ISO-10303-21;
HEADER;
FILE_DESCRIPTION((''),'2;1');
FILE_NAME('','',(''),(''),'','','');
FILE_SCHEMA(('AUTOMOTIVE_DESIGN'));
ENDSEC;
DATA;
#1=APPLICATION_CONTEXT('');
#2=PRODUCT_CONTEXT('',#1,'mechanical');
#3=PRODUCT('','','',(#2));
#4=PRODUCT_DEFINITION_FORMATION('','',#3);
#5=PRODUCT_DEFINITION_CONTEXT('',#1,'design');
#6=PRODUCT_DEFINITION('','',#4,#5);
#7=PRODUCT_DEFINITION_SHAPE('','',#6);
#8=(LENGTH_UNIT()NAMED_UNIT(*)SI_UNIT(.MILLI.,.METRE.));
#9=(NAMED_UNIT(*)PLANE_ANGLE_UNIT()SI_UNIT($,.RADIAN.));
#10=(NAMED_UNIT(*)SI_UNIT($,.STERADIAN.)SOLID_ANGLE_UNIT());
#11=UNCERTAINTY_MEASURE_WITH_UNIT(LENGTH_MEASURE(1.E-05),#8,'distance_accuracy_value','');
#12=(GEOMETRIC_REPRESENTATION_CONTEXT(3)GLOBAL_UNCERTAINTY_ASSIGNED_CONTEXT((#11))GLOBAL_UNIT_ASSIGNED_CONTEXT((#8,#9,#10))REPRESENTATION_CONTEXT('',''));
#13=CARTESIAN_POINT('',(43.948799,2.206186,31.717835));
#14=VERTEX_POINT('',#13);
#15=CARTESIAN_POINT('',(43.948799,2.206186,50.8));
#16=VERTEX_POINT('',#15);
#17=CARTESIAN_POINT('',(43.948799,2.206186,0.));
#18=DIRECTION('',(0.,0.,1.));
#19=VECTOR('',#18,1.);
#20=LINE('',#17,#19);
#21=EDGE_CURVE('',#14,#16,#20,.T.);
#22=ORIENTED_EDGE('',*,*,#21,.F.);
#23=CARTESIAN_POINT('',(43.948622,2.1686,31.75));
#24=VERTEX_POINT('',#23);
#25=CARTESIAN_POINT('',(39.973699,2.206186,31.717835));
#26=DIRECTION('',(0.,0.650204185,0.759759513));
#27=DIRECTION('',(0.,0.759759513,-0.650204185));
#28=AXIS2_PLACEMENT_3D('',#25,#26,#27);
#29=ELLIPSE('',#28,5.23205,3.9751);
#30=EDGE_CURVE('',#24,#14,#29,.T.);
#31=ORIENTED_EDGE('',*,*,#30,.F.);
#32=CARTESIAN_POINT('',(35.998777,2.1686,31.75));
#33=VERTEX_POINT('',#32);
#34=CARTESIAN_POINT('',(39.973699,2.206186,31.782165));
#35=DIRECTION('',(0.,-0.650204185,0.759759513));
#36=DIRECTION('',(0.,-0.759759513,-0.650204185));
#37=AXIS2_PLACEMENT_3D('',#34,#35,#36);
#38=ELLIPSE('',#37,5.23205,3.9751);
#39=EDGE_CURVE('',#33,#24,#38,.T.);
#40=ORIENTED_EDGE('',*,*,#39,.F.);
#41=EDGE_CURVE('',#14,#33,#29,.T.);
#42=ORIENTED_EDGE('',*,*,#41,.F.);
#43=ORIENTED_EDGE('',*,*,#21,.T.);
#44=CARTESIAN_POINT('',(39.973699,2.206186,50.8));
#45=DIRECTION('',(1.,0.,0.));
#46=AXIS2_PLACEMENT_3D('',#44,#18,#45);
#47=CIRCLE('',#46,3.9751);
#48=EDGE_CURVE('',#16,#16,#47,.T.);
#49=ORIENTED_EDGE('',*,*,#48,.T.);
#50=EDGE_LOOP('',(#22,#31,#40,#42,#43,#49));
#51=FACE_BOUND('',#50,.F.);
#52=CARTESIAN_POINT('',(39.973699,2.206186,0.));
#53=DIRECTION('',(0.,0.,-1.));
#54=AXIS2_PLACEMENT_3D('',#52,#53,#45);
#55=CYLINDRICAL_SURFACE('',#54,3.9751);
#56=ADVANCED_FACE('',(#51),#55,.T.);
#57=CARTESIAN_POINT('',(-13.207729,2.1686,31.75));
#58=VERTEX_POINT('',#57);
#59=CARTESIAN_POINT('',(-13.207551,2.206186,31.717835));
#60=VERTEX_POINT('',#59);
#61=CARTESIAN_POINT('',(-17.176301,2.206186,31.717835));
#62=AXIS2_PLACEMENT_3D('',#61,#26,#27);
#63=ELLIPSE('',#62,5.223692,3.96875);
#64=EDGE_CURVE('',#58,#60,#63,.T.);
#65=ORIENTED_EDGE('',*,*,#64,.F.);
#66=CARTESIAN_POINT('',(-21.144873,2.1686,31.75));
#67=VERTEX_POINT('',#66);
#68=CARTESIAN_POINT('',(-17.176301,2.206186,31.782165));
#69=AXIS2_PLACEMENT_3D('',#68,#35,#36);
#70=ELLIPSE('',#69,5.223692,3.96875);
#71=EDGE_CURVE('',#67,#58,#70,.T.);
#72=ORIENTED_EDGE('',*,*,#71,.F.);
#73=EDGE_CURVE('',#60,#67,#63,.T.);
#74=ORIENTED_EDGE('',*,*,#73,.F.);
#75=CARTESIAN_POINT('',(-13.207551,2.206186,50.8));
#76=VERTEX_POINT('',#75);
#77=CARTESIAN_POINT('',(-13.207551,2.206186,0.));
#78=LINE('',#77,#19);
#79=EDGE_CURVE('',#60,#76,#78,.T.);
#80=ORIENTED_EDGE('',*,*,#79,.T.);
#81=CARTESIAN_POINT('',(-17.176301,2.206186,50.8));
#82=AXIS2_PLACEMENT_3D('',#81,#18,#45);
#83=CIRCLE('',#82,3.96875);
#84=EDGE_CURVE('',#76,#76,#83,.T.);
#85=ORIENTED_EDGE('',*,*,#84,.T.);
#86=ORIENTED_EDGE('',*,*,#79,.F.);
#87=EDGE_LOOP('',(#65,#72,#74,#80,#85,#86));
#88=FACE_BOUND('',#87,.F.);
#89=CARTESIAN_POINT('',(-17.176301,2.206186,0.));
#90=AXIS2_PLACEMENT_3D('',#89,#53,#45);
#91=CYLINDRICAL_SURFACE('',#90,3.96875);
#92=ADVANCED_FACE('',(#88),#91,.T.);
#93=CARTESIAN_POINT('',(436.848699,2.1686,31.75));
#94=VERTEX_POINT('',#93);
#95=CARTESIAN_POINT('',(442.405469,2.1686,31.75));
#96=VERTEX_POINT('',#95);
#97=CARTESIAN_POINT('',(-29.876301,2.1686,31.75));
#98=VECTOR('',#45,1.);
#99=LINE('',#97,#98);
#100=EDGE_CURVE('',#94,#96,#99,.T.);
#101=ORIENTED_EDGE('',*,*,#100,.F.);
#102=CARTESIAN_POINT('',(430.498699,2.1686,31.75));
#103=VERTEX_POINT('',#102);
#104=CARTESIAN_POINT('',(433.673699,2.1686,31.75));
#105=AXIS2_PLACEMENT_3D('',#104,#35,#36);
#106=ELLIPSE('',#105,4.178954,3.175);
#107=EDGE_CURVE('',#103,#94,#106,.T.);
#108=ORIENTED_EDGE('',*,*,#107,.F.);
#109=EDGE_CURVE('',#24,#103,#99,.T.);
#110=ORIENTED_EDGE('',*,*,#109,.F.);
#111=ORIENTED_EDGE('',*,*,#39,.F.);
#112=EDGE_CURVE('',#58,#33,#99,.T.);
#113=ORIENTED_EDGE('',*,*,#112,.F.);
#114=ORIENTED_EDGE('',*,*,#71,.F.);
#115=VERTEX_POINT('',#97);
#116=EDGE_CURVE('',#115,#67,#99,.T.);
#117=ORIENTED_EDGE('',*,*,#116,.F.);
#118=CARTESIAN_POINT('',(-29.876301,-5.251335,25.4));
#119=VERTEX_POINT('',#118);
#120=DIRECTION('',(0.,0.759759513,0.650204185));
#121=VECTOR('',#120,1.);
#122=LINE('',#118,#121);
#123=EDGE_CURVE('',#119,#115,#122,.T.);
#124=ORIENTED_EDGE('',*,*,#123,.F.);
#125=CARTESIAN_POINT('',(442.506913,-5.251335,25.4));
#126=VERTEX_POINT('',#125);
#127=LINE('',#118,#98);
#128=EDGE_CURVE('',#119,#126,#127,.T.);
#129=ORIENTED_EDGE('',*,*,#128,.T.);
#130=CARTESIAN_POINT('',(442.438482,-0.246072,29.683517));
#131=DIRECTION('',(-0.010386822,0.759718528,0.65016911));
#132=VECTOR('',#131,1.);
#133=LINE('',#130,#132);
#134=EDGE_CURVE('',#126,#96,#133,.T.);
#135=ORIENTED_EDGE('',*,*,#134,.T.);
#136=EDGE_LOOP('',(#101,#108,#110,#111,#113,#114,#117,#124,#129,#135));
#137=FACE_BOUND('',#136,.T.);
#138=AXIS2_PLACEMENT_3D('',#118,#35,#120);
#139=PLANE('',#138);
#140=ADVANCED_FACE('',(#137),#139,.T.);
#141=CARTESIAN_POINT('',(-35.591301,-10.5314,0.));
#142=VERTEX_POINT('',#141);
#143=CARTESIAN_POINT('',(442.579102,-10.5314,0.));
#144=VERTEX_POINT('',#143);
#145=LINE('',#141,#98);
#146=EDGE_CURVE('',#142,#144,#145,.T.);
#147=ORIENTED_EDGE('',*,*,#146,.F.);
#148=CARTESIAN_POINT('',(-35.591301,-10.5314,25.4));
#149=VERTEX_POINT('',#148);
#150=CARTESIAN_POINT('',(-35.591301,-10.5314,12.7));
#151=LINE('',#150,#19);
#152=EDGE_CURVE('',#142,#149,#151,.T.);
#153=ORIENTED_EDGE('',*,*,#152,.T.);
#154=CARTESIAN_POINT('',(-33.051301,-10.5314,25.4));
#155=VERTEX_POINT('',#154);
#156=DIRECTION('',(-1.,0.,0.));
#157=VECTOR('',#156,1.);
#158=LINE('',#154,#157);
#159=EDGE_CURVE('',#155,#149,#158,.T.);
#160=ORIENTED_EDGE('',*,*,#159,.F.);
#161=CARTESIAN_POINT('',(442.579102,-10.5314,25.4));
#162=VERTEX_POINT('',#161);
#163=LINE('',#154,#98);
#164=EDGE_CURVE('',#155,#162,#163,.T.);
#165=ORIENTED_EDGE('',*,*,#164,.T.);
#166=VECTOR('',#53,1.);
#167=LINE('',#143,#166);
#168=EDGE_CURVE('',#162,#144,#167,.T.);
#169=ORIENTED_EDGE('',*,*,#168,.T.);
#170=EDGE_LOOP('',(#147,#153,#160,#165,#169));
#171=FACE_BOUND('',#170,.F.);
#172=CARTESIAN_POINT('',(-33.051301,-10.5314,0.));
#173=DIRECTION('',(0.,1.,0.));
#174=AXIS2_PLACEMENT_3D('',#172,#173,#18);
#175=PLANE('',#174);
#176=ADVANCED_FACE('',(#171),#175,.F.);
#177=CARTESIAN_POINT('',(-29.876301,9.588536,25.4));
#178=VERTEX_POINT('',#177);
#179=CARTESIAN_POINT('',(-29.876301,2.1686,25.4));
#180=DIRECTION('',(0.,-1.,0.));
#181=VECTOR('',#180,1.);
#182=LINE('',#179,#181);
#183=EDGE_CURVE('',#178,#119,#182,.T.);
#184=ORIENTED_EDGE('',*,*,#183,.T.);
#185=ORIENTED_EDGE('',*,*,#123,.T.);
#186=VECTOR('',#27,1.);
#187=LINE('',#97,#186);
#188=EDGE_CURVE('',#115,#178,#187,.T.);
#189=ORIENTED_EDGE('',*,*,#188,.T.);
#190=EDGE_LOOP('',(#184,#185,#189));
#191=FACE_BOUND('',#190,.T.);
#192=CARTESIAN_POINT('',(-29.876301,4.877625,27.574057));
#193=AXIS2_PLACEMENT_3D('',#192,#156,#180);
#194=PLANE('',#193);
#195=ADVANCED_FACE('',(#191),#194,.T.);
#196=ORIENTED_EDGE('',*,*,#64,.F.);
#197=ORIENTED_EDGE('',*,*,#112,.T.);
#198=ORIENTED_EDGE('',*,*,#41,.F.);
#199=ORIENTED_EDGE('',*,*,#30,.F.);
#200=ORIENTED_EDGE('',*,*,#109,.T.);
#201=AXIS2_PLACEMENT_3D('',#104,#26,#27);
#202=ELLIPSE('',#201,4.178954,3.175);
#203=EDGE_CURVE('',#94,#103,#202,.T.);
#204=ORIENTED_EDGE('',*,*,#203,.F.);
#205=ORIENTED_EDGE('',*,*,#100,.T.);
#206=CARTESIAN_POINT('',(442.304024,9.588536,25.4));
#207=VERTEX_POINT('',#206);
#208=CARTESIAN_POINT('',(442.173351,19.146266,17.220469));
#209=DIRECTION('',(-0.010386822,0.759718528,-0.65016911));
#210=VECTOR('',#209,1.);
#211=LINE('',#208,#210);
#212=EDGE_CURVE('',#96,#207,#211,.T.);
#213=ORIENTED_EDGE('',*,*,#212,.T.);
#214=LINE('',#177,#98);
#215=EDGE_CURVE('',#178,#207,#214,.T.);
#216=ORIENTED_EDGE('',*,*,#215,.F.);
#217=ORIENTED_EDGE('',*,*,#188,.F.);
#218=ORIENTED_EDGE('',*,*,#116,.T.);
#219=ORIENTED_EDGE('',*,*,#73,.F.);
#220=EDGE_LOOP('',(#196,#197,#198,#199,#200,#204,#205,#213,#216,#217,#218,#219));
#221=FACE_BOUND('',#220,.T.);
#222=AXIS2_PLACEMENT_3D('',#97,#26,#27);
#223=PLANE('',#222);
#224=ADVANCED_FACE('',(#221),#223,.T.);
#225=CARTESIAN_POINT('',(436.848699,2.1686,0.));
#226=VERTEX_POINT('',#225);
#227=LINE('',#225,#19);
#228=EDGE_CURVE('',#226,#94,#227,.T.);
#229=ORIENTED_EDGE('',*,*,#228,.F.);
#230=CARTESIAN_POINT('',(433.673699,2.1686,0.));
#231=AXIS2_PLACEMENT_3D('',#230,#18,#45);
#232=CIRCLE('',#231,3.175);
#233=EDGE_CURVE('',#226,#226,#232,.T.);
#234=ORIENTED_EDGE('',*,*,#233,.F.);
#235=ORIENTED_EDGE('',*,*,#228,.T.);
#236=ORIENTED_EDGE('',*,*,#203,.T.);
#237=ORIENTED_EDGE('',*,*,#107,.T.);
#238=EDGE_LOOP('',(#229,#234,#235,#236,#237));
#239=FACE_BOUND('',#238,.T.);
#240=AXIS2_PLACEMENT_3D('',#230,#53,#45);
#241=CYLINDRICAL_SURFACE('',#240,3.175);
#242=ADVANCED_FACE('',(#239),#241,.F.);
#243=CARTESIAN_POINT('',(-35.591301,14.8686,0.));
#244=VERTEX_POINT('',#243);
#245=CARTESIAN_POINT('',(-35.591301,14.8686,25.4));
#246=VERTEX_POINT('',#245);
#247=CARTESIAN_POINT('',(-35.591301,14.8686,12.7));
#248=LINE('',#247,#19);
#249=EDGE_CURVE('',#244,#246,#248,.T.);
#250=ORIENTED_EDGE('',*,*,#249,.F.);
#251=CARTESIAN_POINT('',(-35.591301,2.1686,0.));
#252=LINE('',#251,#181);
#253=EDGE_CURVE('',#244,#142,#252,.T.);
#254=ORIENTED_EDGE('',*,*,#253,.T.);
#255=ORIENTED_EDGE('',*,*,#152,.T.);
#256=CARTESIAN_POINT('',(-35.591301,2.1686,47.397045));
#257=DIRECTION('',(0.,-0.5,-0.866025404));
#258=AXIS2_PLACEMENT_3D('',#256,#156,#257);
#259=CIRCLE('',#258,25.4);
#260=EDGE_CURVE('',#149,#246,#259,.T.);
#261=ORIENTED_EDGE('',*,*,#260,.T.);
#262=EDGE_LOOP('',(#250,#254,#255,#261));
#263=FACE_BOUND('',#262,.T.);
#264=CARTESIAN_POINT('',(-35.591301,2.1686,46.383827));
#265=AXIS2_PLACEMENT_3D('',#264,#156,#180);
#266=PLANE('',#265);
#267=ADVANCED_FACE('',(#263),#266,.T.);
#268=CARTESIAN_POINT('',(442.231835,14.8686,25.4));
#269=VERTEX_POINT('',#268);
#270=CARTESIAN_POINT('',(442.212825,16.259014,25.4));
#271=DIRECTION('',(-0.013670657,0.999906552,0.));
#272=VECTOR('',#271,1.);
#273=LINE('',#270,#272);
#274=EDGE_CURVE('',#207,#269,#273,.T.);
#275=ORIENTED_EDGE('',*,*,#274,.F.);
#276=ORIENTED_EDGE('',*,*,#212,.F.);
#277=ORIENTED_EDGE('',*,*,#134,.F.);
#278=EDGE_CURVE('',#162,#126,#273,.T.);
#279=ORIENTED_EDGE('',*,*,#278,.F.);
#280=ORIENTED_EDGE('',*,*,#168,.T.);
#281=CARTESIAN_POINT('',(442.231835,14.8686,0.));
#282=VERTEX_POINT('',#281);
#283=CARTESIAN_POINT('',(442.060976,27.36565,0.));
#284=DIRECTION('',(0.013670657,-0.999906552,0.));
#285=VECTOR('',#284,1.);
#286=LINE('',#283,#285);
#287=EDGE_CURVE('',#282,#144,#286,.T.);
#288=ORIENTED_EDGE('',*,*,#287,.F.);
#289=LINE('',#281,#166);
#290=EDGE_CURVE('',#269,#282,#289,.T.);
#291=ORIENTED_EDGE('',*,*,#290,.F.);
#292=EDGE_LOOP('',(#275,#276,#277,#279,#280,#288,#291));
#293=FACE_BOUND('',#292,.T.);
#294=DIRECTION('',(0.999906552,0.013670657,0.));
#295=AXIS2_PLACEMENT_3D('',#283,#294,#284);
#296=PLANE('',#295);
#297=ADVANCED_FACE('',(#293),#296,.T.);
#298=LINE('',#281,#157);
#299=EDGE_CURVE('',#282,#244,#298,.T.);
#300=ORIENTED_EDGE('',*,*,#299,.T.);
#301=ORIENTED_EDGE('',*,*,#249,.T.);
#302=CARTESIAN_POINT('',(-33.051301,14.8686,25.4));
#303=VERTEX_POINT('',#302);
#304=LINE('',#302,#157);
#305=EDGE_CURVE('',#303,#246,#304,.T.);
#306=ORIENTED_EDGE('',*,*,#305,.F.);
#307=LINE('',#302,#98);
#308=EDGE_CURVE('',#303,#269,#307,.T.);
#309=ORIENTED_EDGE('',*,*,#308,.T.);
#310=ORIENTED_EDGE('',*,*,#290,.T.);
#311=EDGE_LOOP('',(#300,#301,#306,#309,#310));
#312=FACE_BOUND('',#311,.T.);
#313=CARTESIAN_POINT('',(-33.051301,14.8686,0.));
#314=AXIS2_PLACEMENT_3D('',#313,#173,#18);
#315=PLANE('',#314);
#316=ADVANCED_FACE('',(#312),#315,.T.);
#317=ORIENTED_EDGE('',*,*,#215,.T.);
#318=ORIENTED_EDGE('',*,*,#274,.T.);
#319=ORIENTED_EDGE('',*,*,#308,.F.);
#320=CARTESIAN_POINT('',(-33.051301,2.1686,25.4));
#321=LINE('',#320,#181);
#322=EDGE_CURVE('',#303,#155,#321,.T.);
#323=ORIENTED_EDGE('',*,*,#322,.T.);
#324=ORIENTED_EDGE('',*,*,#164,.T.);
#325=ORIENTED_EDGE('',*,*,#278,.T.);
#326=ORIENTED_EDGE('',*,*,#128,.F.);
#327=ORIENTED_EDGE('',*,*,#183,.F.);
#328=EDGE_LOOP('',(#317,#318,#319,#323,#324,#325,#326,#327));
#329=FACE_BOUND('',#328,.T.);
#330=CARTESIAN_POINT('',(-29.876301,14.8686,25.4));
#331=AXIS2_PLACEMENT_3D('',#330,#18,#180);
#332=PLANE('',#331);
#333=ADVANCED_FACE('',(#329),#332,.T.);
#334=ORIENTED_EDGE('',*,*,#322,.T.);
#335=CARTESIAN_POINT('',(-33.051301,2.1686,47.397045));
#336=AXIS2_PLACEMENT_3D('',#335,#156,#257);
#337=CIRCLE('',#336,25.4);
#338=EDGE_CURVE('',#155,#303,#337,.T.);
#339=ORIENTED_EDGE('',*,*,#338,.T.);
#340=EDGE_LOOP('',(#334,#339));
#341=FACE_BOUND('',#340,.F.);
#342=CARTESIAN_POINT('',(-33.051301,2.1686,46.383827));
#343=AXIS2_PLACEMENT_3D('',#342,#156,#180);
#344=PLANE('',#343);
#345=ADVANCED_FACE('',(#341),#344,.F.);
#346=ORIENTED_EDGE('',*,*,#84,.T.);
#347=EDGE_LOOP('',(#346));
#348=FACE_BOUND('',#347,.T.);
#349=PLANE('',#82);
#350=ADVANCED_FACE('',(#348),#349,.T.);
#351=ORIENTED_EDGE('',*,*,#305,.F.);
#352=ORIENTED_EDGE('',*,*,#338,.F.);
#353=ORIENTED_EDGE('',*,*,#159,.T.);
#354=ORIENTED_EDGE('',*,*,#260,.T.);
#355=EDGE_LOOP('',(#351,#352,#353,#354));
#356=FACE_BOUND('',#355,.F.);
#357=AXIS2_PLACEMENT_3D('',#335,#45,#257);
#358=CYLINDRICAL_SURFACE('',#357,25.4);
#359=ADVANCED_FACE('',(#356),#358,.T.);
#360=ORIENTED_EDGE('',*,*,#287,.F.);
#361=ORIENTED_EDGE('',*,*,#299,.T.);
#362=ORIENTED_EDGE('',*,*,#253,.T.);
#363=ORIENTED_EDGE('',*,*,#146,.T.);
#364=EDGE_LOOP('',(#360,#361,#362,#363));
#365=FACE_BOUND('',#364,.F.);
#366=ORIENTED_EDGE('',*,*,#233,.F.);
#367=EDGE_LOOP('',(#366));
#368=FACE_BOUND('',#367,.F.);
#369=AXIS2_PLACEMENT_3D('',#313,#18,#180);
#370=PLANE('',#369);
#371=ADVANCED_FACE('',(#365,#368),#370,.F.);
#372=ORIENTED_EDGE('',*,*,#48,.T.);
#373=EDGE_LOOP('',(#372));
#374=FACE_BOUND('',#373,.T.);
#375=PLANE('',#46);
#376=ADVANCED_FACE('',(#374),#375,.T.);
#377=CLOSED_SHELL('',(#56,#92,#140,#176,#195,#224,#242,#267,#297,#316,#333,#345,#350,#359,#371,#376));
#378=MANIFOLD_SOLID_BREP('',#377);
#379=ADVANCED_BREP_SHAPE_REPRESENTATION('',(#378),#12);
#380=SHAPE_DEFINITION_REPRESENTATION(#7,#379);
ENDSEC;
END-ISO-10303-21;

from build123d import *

# Parameters (mm, degrees)
F0_W          = 508
F0_H          = 25.4
F1_DEPTH      = 25.4
F3_DEPTH      = 508.001
F4_R          = 3.96875
F4_R_2        = 3.9751
F5_DEPTH      = 50.8
F6_R          = 3.175
F7_DEPTH      = 84.328
F7_DEPTH_BACK = 61.468
F9_DEPTH      = 25.4
F10_DEPTH     = 148.59
F11_W         = 25.4
F11_H         = 25.4
F12_DEPTH     = 3.175
F13_W         = 25.4
F13_H         = 25.4
F14_DEPTH     = 2.54


with BuildPart() as f1:
    # F0 (on Top) → F1 (new body)
    with BuildSketch(Plane.XY):
        with Locations((224.1236992961, 2.1686004475)):
            Rectangle(F0_W, F0_H)
    extrude(amount=F1_DEPTH)

    # F2 (on face) → F3 (join, through all)
    with BuildSketch(Plane(origin=(-29.8763007039, 0, 0), x_dir=(0, -1, 0), z_dir=(-1, 0, 0))):
        Polygon((-2.1686004475, 25.4), (-2.1686004475, 31.75), (-9.5885356279, 25.4), align=None)
        Polygon((5.251334733, 25.4), (-2.1686004475, 31.75), (-2.1686004475, 25.4), align=None)
    extrude(amount=-F3_DEPTH)

    # F4 (on Top) → F5 (join)
    with BuildSketch(Plane.XY):
        with Locations((-17.1763007039, 2.2061855998)):
            Circle(F4_R)
        with Locations((39.9736992961, 2.2061855998)):
            Circle(F4_R_2)
    extrude(amount=F5_DEPTH)

    # F6 (on Top) → F7 (cut, two sides)
    with BuildSketch(Plane.XY) as f7_sk:
        with Locations((433.6736992961, 2.1686004475)):
            Circle(F6_R)
    extrude(amount=F7_DEPTH, mode=Mode.SUBTRACT)
    extrude(f7_sk.sketch, amount=-F7_DEPTH_BACK, mode=Mode.SUBTRACT)


with BuildPart() as f9:
    # F8 (on Top) → F9 (new body)
    with BuildSketch(Plane.XY):
        Polygon((487.5240470482, 27.3656504085), (442.0609761506, 27.3656504085), (442.7554455138, -23.4296024435), (487.5240470482, -22.8175290615), align=None)
    extrude(amount=F9_DEPTH)


with BuildPart() as f10_tool:
    # F8 (on Top) → F10 (new body)
    with BuildSketch(Plane.XY):
        Polygon((487.5240470482, 27.3656504085), (442.0609761506, 27.3656504085), (442.7554455138, -23.4296024435), (487.5240470482, -22.8175290615), align=None)
    extrude(amount=F10_DEPTH)


with BuildPart() as f1_1:
    add(f1.part)

    # F10: cut by f10_tool
    add(f10_tool.part, mode=Mode.SUBTRACT)

    # F11 (on face) → F12 (join)
    with BuildSketch(Plane(origin=(-29.8763007039, 0, 0), x_dir=(0, -1, 0), z_dir=(-1, 0, 0))):
        with Locations((-2.1686004475, 12.7)):
            Rectangle(F11_W, F11_H)
    extrude(amount=F12_DEPTH)

    # F13 (on face) → F14 (join)
    with BuildSketch(Plane(origin=(-33.0513007039, 0, 0), x_dir=(0, -1, 0), z_dir=(-1, 0, 0))):
        with BuildLine():
            ThreePointArc((10.5313995525, 25.4), (-2.1686004475, 72.7970452561), (-14.8686004475, 25.4))
            Line((-14.8686004475, 25.4), (10.5313995525, 25.4))
        make_face()
        with Locations((-2.1686004475, 12.7)):
            Rectangle(F13_W, F13_H)
    extrude(amount=F14_DEPTH)


with BuildPart() as f9_1:
    add(f9.part)

    # F10: cut by f10_tool
    add(f10_tool.part, mode=Mode.SUBTRACT)


solid = f1_1.part
